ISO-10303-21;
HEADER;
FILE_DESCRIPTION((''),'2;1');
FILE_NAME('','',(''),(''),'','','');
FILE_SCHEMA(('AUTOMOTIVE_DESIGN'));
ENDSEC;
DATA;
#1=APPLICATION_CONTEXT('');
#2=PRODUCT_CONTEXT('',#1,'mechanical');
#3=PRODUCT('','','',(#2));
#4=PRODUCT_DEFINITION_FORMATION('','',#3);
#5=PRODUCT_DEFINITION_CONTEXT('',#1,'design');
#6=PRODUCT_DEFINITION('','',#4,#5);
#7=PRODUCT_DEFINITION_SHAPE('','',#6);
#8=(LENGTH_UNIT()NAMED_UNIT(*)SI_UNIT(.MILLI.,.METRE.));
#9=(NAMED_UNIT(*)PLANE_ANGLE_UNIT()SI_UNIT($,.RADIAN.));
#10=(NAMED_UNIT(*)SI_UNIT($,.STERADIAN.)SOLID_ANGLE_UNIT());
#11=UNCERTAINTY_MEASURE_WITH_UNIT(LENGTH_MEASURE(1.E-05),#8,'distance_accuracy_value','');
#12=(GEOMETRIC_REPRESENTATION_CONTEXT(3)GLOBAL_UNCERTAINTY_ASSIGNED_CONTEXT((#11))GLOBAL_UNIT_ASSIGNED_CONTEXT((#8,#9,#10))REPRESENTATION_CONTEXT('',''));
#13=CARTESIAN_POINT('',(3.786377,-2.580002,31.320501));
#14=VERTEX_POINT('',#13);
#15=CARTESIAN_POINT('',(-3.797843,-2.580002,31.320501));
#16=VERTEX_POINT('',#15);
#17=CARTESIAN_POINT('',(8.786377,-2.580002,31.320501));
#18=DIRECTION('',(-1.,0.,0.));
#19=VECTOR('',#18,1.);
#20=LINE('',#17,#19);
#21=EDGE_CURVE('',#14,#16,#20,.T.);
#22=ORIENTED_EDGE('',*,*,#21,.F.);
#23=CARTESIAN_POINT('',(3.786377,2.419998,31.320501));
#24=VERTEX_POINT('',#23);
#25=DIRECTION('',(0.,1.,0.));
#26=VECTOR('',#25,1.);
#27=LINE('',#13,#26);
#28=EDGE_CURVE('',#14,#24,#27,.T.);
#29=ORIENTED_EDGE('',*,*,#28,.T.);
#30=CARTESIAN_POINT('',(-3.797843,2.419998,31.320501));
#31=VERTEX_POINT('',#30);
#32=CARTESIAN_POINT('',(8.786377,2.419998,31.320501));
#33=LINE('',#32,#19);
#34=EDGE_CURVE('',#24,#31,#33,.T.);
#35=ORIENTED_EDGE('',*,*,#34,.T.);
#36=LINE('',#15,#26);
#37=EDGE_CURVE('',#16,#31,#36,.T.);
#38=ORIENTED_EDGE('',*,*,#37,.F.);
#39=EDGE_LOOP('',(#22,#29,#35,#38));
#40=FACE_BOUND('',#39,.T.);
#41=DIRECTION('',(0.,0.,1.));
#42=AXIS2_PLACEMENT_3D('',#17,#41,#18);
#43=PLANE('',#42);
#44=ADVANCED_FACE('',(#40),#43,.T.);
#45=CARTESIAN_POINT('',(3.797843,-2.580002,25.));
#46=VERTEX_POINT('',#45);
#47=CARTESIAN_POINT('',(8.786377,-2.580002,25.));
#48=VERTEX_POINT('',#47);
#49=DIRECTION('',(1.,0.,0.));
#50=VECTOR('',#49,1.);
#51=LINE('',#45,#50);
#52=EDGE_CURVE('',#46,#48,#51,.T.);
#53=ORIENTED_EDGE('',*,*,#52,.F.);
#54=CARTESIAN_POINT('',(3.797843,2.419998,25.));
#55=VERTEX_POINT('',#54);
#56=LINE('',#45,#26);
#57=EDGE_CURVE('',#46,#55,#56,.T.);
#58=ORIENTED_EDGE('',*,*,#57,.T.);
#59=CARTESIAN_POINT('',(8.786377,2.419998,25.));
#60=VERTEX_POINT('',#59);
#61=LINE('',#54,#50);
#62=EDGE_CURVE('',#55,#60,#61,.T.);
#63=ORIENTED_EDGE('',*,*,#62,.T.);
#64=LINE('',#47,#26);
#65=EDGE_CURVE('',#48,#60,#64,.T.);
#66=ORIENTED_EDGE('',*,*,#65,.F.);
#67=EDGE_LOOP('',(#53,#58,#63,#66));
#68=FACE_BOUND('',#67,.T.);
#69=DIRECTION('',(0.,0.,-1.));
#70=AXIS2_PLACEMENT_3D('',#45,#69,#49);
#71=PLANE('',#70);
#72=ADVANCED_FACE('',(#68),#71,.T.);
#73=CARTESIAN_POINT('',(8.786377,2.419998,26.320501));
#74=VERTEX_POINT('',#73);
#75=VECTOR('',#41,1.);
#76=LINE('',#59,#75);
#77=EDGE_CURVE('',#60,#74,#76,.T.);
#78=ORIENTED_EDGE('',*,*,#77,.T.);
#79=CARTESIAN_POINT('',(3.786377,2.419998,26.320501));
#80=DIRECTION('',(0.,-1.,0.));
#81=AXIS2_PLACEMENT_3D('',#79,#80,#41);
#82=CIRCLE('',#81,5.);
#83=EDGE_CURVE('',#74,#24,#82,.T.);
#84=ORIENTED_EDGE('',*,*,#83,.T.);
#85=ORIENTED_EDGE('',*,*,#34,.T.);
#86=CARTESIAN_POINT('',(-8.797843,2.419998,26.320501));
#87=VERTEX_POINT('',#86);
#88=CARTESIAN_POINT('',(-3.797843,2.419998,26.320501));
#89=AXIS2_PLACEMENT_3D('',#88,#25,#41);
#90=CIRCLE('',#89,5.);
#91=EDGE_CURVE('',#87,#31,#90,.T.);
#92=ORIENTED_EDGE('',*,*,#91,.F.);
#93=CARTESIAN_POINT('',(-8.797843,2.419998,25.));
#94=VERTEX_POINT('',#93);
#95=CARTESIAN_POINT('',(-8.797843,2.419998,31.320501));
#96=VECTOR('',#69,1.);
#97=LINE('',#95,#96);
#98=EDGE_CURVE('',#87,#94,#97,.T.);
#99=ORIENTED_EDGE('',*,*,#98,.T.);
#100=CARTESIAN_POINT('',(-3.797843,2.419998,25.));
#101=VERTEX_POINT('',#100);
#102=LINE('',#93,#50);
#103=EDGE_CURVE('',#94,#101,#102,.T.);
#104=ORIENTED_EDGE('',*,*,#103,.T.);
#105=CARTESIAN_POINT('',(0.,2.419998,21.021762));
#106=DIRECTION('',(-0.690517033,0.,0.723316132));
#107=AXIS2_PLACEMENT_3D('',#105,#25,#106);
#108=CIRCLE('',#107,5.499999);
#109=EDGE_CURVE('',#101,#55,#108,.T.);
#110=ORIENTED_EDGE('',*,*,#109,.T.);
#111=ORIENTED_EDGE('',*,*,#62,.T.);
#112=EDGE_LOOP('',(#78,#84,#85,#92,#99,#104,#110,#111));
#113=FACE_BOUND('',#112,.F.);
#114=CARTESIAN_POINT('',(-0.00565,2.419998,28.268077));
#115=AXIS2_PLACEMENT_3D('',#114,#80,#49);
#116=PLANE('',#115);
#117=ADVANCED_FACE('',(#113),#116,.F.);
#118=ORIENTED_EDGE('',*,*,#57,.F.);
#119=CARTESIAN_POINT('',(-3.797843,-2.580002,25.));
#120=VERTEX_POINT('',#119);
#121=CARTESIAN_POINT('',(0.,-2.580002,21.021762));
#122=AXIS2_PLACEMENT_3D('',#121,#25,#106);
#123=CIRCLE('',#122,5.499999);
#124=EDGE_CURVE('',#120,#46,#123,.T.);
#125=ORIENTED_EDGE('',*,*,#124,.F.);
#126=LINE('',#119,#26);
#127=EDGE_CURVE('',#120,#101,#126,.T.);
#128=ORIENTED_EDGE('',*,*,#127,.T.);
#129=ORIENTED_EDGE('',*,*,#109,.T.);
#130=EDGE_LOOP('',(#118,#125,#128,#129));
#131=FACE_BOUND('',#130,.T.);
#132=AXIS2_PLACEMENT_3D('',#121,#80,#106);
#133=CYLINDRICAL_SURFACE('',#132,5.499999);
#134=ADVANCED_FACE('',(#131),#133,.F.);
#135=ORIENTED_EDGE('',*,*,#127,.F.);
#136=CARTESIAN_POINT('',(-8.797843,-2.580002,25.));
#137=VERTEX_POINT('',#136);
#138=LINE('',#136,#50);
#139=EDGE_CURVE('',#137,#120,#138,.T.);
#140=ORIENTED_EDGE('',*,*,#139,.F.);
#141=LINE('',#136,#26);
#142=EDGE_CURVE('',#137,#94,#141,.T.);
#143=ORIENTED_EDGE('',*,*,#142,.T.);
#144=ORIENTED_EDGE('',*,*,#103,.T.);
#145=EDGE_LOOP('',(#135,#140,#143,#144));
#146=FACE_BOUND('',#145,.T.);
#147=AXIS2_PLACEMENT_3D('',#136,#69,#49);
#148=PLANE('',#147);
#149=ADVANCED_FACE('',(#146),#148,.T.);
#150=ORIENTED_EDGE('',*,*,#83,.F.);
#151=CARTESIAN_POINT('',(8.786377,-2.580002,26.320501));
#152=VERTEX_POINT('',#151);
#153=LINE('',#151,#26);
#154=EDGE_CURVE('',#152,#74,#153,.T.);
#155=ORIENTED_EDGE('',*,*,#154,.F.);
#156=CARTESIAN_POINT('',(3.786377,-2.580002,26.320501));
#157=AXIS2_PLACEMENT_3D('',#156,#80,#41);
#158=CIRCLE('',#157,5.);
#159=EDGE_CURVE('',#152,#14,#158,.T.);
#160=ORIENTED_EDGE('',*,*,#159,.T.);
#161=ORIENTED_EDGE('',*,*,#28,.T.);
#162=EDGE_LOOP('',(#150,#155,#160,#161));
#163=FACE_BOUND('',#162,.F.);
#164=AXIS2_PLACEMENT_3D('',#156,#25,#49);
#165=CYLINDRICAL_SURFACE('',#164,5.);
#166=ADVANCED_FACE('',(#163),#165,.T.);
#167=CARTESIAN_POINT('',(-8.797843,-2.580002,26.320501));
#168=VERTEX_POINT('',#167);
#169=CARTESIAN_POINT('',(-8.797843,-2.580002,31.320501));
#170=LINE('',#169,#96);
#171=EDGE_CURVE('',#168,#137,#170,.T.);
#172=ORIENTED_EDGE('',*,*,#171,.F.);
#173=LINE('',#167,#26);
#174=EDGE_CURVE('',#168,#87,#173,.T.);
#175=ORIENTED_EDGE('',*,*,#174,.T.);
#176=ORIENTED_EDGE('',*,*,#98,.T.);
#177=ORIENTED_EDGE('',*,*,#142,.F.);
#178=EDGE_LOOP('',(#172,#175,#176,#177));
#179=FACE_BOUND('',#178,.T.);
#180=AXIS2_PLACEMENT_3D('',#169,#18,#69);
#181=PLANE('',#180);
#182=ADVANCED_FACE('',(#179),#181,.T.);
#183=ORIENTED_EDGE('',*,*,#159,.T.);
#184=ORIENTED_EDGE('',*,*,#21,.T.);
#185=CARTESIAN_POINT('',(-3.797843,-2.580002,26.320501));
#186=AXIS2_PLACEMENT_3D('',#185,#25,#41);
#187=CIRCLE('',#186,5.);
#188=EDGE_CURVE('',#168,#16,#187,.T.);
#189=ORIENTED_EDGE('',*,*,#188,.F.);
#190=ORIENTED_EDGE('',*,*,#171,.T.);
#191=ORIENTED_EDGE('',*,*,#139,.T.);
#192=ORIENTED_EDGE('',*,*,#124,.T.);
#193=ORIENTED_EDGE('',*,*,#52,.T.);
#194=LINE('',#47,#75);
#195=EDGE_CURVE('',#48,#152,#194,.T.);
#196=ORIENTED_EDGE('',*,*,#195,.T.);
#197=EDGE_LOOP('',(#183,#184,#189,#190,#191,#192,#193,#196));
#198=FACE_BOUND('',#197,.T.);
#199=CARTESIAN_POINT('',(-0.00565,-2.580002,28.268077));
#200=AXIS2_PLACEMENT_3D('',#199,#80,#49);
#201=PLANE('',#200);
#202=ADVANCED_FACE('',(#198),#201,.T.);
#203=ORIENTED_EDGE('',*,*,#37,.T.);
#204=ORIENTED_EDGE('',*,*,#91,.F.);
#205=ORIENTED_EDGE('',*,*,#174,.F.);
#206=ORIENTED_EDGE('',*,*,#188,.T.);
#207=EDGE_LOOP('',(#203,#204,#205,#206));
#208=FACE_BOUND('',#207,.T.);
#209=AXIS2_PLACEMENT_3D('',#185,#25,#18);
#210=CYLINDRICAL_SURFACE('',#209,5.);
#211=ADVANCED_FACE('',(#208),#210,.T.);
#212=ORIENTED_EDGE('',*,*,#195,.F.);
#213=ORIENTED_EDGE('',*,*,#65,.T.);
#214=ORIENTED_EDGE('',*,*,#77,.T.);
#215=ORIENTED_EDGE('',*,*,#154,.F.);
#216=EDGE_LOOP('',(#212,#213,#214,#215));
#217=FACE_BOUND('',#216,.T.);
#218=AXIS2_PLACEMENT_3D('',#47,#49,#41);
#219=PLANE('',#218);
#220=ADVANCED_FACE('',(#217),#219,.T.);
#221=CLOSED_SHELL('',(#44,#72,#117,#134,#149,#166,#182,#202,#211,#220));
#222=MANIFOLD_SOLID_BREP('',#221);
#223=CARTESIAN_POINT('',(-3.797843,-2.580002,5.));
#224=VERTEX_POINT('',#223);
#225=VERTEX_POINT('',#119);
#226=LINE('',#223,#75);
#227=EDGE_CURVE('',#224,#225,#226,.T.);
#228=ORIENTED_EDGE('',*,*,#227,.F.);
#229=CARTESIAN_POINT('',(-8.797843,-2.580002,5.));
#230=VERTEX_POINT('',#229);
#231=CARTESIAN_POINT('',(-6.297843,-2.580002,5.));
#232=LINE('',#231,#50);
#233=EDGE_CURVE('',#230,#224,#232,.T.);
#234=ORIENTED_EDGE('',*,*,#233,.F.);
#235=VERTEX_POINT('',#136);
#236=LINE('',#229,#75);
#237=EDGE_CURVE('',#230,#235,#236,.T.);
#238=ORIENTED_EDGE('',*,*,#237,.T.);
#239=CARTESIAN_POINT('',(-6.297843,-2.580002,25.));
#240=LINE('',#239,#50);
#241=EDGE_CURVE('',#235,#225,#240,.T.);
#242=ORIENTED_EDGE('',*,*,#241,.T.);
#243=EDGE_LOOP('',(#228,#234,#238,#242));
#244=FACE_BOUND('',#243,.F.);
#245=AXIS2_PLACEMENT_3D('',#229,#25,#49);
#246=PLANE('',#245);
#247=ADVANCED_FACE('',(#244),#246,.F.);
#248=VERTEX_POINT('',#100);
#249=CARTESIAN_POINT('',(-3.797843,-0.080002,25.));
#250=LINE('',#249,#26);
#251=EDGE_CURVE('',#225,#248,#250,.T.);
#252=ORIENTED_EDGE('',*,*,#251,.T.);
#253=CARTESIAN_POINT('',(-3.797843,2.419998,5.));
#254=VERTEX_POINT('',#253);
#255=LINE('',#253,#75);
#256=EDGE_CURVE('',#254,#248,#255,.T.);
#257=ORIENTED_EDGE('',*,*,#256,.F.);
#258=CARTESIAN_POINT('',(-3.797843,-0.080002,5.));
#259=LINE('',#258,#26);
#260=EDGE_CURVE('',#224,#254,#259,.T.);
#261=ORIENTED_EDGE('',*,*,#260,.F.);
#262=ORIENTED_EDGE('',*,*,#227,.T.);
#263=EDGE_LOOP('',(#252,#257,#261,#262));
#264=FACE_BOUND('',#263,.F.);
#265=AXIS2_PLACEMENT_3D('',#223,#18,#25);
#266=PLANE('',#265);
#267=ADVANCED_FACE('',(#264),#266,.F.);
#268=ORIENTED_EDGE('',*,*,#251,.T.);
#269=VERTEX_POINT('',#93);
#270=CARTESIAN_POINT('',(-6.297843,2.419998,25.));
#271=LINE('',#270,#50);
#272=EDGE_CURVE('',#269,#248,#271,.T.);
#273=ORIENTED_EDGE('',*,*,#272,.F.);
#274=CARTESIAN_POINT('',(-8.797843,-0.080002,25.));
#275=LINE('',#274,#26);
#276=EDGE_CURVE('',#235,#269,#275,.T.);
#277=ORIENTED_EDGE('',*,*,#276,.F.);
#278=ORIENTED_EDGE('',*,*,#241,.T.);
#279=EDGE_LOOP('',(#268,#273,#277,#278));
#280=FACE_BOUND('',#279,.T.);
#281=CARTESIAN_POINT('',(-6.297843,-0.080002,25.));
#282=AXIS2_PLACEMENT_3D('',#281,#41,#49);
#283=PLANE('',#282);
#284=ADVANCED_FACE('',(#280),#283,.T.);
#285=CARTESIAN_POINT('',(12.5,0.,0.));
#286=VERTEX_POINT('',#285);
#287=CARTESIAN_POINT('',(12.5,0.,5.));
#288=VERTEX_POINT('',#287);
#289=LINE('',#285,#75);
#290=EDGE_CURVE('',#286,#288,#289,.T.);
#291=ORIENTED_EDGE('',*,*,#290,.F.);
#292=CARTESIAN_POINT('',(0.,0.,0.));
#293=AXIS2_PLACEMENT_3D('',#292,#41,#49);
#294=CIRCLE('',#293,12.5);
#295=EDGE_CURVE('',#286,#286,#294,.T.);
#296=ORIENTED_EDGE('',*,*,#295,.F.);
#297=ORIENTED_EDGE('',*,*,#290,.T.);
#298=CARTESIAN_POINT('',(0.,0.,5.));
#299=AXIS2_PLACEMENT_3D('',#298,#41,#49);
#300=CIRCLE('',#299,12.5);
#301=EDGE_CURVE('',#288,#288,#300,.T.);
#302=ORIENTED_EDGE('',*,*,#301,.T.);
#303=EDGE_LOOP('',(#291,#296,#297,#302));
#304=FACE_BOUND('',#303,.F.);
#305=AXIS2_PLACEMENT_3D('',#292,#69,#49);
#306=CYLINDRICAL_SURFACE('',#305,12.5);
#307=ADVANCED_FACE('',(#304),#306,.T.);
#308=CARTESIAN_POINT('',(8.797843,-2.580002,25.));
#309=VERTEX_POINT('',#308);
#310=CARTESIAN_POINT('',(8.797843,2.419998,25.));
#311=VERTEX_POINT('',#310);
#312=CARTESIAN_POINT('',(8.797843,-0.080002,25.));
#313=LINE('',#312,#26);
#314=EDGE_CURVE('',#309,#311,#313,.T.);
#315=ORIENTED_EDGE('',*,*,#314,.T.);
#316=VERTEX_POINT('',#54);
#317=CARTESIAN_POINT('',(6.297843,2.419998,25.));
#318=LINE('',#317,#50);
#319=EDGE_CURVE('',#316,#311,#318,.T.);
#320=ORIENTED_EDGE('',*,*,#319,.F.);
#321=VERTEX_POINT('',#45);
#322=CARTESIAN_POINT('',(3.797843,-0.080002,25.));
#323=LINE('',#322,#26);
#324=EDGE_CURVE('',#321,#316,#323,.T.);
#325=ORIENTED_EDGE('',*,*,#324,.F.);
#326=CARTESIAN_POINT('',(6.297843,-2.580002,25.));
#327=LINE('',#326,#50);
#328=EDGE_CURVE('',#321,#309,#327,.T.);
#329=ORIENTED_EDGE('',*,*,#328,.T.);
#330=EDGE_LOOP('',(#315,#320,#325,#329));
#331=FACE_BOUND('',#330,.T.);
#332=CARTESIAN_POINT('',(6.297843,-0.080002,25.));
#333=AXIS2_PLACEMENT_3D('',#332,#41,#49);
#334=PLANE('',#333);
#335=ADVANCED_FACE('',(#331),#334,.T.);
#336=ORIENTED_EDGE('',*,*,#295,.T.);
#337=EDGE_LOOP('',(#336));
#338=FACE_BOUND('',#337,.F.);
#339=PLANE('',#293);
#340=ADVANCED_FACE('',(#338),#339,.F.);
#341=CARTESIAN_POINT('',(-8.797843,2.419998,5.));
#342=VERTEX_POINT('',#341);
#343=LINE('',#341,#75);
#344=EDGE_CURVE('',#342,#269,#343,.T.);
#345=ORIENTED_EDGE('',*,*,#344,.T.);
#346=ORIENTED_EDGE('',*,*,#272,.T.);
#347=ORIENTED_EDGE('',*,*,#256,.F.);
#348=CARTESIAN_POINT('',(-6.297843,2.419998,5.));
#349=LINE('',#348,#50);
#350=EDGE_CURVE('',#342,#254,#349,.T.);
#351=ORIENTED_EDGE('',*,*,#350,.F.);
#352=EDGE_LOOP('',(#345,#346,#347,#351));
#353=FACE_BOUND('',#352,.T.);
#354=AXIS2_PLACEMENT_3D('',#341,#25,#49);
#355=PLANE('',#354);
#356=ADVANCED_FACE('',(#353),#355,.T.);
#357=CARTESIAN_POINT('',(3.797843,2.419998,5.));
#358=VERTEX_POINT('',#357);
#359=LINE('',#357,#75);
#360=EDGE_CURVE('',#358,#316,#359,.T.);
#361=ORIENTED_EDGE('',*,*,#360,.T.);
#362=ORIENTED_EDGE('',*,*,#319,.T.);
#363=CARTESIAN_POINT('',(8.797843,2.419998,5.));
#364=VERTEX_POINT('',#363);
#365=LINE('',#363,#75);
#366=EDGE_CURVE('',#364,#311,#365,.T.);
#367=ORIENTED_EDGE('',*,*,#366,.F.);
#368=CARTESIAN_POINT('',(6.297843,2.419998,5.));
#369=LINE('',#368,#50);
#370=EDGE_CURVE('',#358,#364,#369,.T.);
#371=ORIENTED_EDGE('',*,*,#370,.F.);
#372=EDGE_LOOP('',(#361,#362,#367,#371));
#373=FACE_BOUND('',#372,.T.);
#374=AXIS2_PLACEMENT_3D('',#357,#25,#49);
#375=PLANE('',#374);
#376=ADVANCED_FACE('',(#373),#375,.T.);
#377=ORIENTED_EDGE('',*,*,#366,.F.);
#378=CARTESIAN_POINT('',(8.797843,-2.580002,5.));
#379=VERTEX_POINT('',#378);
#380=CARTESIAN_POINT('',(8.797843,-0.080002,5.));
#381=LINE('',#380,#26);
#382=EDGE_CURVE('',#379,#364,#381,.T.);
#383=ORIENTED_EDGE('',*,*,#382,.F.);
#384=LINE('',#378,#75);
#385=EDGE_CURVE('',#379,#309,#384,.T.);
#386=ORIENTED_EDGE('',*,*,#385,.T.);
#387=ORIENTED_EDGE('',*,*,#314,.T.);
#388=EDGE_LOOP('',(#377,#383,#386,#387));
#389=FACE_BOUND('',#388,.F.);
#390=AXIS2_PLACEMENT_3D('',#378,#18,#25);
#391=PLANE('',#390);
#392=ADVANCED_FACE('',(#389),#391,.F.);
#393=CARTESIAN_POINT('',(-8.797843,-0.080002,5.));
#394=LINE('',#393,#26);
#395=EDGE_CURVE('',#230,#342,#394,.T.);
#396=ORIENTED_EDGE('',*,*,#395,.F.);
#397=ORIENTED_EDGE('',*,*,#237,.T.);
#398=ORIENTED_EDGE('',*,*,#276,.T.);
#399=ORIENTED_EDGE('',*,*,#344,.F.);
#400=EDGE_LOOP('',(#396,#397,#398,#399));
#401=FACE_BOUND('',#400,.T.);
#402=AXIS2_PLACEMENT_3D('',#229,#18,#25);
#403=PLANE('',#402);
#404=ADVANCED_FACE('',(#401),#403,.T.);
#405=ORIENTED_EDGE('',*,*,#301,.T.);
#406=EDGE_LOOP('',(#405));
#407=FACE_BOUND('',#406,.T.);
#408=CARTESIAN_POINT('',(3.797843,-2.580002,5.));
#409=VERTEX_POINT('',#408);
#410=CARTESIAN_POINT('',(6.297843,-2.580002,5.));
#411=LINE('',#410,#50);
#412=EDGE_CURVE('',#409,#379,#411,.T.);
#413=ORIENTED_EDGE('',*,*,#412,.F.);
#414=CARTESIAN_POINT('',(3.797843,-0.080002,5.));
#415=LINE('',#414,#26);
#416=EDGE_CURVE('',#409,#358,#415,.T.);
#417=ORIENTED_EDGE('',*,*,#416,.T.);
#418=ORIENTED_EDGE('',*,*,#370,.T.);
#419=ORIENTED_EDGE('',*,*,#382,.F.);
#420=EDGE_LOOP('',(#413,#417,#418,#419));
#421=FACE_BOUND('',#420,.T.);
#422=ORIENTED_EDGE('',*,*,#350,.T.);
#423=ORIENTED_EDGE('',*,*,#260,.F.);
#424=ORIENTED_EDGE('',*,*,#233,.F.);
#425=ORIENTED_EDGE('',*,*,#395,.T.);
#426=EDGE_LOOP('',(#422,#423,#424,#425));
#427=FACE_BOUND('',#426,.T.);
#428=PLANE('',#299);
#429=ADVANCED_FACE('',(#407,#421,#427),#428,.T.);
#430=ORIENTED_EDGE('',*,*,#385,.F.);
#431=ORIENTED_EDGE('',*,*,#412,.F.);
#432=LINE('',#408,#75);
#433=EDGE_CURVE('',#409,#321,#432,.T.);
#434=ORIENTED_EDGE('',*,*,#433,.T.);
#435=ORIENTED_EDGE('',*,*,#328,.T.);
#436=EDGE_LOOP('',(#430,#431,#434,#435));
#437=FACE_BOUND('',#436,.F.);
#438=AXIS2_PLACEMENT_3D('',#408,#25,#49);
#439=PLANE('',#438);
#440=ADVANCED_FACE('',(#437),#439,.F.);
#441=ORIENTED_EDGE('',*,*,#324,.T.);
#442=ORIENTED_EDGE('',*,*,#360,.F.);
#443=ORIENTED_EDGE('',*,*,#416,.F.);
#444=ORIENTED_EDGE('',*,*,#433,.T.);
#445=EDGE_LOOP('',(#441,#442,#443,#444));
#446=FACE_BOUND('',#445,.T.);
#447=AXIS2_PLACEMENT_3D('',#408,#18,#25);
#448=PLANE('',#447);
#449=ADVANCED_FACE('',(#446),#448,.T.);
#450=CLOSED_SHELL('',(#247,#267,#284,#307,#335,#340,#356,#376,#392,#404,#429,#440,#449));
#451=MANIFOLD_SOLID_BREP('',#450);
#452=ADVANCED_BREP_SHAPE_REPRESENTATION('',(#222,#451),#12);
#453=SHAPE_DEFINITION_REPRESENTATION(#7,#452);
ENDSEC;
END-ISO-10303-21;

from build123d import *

# Parameters (mm, degrees)
F0_R     = 12.5
F1_DEPTH = 5
F2_W     = 5
F2_H     = 5
F3_DEPTH = 20
F5_DEPTH = 5
F6_R     = 5


with BuildPart() as f1:
    # F0 (on Top) → F1 (new body)
    with BuildSketch(Plane.XY):
        Circle(F0_R)
    extrude(amount=F1_DEPTH)

    # F2 (on face) → F3 (join)
    with BuildSketch(Plane.XY.offset(5)):
        with Locations((-6.297843, -0.080002)):
            Rectangle(F2_W, F2_H)
        with Locations((6.297843, -0.080002)):
            Rectangle(F2_W, F2_H)
    extrude(amount=F3_DEPTH)


with BuildPart() as f5:
    # F4 (on face) → F5 (new body)
    with BuildSketch(Plane.XZ.offset(2.580002)):
        with BuildLine():
            Line((-8.797843, 31.320501), (-8.797843, 25))
            Line((-8.797843, 25), (-3.797843, 25))
            ThreePointArc((-3.797843, 25), (0, 26.521761), (3.797843, 25))
            Line((3.797843, 25), (8.786377, 25))
            Line((8.786377, 25), (8.786377, 31.320501))
            Line((8.786377, 31.320501), (-8.797843, 31.320501))
        make_face()
    extrude(amount=-F5_DEPTH)

    # F6
    f6_edges = [f5.edges().sort_by_distance(p)[0] for p in [
        (8.786377, -0.080002, 31.320501),
        (-8.797843, -0.080002, 31.320501),
    ]]
    fillet(f6_edges, radius=F6_R)


solid = Compound([f1.part, f5.part])
